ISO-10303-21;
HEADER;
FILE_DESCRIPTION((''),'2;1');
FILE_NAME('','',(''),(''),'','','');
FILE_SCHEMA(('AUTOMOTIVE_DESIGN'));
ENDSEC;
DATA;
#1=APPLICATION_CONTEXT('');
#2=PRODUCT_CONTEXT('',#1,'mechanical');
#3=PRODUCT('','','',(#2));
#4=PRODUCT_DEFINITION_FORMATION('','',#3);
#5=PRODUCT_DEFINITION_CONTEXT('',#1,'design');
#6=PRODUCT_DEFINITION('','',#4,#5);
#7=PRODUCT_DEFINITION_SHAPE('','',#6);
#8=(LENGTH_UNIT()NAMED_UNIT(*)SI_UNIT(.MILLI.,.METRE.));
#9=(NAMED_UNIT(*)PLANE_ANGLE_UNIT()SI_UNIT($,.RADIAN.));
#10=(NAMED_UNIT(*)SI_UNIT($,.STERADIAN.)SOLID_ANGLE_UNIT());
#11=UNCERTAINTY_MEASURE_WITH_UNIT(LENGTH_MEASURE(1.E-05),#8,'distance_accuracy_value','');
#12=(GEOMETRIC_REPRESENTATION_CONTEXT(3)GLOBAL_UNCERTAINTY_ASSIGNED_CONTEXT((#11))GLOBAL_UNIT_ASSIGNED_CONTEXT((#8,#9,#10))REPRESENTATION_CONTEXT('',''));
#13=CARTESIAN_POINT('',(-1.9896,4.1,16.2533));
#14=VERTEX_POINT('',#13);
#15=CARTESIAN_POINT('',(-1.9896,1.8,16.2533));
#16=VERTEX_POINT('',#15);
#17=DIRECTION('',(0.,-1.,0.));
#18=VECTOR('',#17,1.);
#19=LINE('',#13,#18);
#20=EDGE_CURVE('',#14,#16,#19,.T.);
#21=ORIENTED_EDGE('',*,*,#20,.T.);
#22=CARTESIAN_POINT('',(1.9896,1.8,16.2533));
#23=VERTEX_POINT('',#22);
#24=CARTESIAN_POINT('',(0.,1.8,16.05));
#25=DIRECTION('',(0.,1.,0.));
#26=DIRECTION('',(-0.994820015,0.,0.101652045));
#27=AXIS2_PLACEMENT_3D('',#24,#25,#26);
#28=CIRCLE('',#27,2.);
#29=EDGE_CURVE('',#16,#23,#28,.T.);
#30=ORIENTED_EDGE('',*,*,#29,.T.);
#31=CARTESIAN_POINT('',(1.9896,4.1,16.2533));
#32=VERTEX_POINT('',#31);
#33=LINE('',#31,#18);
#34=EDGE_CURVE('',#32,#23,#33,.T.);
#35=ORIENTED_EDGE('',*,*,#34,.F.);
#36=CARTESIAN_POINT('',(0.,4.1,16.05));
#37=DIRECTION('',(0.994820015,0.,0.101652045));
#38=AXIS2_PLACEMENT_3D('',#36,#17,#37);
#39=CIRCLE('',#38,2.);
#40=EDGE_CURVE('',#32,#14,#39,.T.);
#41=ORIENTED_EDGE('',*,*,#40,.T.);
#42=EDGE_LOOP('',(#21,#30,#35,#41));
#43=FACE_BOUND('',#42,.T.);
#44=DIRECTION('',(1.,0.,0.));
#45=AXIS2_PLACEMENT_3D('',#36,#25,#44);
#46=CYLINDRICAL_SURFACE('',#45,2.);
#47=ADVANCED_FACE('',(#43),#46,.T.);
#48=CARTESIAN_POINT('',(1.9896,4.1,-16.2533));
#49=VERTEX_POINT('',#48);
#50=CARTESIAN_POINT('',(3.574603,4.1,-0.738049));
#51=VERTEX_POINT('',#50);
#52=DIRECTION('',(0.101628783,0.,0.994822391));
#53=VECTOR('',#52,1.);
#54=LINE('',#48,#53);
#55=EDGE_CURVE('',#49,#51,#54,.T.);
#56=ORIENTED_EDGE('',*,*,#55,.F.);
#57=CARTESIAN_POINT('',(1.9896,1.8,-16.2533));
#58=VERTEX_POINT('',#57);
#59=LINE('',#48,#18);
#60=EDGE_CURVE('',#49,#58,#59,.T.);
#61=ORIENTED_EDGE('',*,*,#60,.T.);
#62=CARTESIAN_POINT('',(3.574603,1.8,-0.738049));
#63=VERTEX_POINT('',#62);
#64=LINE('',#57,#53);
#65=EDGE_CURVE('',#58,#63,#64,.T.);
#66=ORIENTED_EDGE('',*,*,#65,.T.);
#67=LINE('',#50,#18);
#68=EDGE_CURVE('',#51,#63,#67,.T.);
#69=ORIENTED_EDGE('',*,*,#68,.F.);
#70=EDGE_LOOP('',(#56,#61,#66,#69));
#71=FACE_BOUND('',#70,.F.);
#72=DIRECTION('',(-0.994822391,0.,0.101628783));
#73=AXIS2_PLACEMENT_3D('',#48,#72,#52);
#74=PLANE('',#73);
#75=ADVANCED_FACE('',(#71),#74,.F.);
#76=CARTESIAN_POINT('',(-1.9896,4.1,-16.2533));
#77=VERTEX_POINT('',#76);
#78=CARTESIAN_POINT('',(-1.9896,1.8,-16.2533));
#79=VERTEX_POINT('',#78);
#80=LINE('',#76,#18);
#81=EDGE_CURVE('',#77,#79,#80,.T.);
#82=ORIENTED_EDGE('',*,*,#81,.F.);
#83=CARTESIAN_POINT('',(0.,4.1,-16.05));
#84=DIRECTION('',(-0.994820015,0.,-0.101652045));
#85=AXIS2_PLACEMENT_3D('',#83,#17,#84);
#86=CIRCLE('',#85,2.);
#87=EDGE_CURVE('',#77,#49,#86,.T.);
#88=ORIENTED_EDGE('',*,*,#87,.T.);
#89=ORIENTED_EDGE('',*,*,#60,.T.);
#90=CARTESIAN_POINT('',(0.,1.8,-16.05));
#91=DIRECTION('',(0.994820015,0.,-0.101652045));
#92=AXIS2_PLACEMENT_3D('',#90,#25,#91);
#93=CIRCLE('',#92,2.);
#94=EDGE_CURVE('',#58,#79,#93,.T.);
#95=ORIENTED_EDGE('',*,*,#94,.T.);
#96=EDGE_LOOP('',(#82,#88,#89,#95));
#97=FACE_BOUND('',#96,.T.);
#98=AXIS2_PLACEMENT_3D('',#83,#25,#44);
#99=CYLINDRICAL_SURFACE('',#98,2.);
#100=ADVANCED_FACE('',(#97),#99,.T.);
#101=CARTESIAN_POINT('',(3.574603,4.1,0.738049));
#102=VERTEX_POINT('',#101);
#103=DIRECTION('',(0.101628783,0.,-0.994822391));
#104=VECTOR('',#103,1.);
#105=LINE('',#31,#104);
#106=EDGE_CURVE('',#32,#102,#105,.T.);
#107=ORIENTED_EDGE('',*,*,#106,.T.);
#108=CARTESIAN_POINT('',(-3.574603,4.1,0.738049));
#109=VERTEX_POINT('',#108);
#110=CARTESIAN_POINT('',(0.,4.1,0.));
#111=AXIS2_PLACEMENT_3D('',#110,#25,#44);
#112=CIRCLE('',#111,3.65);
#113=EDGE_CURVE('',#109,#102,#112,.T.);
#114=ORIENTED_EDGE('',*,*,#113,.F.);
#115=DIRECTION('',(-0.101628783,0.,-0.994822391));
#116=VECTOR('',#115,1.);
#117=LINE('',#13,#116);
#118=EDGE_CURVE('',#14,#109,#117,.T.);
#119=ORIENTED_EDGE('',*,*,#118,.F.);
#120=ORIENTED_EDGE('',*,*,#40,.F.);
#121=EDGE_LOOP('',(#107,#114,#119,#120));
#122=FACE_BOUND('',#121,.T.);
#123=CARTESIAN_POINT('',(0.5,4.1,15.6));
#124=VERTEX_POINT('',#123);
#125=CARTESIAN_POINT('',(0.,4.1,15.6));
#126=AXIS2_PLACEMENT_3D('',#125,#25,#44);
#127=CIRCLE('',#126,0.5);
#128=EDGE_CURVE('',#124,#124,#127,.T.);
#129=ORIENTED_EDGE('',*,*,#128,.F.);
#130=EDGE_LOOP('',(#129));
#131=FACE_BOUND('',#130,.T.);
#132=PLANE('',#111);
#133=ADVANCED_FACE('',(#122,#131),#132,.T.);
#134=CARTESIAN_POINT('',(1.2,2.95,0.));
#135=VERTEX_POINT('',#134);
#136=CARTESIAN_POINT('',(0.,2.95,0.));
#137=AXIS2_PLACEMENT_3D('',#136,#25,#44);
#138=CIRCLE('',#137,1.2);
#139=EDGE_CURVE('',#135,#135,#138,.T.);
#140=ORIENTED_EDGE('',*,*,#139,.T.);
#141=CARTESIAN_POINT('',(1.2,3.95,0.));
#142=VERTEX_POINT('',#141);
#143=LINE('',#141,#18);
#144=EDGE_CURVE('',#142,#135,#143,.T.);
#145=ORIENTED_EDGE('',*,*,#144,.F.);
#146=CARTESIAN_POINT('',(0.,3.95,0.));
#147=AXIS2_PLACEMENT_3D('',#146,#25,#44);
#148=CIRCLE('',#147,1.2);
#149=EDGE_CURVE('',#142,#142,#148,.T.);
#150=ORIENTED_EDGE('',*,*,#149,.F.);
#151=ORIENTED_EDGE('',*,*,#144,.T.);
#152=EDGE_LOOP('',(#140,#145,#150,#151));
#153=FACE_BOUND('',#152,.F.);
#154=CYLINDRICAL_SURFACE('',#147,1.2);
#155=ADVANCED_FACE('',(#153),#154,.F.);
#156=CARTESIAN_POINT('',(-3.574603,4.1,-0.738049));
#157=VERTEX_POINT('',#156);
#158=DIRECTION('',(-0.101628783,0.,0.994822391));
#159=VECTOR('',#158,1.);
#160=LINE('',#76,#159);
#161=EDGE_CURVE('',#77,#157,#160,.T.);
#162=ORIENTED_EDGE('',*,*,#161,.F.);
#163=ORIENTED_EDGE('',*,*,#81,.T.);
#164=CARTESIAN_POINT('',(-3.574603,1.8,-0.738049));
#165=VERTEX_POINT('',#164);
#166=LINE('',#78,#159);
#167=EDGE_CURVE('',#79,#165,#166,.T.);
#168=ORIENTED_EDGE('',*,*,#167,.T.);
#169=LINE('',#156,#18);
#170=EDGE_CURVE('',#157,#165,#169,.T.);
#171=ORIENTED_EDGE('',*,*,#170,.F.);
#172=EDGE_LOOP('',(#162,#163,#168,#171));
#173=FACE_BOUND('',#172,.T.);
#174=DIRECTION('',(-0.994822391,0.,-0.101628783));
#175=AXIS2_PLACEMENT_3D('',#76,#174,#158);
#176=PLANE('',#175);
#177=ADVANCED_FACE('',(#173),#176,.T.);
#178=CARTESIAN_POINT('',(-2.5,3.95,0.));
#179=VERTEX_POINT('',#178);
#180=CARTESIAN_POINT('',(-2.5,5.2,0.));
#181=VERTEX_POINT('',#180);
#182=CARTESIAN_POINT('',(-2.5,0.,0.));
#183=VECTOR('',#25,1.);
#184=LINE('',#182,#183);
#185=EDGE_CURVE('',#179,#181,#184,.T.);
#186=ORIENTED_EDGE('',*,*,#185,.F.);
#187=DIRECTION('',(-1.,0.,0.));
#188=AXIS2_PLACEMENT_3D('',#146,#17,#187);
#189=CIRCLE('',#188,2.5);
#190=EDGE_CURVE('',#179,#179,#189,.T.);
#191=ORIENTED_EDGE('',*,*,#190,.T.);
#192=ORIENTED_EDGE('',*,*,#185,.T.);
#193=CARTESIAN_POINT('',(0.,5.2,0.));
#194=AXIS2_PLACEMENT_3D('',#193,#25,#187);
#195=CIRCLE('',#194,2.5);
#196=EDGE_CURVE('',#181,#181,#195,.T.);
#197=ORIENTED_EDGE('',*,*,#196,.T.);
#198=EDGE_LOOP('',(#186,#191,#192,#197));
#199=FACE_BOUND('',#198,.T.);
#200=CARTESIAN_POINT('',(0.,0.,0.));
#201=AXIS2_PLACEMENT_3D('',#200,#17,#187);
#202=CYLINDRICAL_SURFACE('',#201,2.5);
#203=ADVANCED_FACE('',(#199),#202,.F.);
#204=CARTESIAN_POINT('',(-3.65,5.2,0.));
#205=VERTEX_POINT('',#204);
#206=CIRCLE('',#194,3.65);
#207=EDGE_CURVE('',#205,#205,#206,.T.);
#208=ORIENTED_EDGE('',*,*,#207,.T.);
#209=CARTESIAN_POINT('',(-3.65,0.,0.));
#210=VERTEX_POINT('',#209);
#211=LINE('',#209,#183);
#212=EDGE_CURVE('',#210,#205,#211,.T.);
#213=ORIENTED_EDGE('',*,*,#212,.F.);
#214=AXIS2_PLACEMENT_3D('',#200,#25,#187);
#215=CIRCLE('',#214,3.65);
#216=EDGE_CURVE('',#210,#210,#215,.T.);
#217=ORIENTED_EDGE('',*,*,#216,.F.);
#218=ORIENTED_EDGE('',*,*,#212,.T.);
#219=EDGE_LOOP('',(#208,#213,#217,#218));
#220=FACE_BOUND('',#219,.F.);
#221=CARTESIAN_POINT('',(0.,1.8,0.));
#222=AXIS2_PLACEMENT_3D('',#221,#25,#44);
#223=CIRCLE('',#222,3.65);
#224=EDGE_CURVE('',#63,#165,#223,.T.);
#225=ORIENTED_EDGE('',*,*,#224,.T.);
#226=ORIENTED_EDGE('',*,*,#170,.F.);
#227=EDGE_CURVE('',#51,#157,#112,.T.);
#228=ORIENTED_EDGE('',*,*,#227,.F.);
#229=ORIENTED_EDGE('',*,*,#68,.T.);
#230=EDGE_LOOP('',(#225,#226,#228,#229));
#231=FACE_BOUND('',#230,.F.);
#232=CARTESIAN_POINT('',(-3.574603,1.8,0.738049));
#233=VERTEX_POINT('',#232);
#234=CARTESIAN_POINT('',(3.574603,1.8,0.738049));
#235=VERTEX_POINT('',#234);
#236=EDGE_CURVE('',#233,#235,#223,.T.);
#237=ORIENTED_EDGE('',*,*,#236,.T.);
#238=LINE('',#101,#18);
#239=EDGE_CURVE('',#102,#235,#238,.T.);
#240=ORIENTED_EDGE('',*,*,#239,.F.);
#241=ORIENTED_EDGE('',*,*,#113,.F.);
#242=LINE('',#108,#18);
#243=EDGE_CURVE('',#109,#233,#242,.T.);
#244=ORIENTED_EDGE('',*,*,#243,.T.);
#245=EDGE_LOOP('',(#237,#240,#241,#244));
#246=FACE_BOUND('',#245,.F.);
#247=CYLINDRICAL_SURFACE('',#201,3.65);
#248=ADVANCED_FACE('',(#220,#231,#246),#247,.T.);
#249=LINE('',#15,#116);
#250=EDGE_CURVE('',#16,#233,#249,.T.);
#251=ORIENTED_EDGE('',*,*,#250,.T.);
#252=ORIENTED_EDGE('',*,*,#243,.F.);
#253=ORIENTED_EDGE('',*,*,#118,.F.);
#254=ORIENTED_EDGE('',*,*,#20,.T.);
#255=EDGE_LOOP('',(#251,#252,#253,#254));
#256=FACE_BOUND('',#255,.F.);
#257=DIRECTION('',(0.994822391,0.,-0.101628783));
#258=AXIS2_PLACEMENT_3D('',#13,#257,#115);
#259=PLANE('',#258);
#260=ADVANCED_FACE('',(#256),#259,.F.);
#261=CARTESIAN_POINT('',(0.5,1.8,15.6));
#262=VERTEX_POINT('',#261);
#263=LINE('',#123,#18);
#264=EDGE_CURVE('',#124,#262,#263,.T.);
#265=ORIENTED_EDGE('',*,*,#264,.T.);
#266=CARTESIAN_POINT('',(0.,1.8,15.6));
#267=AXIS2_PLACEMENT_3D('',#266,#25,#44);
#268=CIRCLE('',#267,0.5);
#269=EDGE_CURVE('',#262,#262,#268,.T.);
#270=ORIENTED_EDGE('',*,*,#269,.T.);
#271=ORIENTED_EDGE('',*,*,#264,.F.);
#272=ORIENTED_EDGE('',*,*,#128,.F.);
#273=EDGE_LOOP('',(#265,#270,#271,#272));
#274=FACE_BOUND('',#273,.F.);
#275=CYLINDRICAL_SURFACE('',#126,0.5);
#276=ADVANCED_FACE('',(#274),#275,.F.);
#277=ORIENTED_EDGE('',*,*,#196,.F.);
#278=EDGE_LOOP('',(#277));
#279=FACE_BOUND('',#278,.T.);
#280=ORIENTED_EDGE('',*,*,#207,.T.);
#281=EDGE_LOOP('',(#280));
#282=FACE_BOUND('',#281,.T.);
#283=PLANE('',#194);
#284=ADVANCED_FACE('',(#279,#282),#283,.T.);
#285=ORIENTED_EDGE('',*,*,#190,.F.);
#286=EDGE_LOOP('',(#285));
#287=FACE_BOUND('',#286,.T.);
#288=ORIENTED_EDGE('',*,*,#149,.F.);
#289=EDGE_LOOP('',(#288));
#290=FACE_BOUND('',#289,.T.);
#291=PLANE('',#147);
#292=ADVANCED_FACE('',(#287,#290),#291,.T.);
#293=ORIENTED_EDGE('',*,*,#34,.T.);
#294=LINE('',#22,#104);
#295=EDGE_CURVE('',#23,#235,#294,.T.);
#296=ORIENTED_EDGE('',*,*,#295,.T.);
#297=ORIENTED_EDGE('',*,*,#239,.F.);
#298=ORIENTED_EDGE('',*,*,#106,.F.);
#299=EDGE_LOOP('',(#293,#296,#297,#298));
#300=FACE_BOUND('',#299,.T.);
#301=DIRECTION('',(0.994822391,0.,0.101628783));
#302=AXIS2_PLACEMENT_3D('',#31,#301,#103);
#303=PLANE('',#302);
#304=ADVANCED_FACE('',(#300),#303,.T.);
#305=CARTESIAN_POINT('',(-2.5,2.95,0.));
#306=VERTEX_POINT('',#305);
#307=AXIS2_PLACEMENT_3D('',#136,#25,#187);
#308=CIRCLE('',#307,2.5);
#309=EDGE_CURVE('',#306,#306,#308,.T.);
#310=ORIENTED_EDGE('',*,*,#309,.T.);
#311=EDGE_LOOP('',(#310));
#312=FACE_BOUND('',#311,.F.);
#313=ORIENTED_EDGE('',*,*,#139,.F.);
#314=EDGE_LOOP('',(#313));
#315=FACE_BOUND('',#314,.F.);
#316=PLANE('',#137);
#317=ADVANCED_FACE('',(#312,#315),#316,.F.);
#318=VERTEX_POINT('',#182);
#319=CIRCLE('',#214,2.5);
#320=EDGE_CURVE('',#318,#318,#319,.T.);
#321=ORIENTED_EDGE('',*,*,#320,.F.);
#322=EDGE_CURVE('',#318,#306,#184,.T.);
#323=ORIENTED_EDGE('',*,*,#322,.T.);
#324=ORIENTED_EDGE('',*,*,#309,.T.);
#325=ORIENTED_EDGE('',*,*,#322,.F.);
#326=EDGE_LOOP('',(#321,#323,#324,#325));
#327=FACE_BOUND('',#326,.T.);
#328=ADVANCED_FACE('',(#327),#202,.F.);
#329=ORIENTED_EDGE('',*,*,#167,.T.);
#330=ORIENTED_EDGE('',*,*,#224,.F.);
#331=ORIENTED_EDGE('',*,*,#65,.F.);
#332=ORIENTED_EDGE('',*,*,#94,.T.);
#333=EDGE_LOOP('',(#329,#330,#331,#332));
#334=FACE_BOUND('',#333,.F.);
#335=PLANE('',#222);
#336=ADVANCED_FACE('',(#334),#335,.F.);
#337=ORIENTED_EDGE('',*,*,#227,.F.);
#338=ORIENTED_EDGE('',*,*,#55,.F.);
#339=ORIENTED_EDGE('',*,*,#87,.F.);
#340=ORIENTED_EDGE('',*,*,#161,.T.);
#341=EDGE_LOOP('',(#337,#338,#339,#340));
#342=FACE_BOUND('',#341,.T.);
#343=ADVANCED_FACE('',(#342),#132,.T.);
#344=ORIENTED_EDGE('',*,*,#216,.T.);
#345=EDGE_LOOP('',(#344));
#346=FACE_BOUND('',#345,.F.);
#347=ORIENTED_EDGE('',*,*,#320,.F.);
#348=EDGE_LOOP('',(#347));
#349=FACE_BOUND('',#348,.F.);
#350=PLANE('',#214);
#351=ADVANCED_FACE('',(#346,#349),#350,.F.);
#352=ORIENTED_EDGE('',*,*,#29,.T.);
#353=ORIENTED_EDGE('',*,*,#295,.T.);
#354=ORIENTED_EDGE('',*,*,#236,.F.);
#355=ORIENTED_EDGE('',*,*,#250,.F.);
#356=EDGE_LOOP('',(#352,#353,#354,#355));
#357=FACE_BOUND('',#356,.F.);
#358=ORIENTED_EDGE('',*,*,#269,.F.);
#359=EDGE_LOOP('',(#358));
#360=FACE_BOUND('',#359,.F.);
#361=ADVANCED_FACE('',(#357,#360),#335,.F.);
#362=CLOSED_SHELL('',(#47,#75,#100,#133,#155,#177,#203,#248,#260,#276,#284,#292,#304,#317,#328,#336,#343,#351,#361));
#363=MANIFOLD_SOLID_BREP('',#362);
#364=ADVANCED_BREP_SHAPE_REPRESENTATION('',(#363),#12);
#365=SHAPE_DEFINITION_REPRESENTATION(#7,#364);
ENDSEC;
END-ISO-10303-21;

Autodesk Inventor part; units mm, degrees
ref_plane "YZ Plane" through (0, 0, 0) normal (1, 0, 0) x (0, 1, 0)
sketch "Sketch1" plane through (0, 0, 0) normal (0, 1, 0) x (-1, 0, 0)
  circle A0 centre (0, 0) radius 2.5
  circle A1 centre (0, 0) radius 3.65
  dimension "d0" = 5
  dimension "d1" = 7.3
extrude "Extrusion1" add sketch "Sketch1" along normal blind 5.2
ref_plane "Work Plane1" through (0, 3.95, 0) normal (0, 1, 0) x (1, 0, 0)
sketch "Sketch2" plane through (0, 3.95, 0) normal (0, 1, 0) x (1, 0, 0)
  circle A0 centre (0, 0) radius 2.5 projected
  circle A1 centre (0, 0) radius 1.2
  dimension "d5" = 2.4
extrude "Extrusion2" add sketch "Sketch2" against normal blind 1
ref_plane "Work Plane2" through (0, 4.1, 0) normal (0, 1, 0) x (1, 0, 0)
sketch "Sketch3" plane through (0, 4.1, 0) normal (0, 1, 0) x (1, 0, 0)
  line L0 (5.5656, 0) -> (-5.5656, 0) construction
  circle A0 centre (0, 16.05) radius 2
  line L1 (1.9896, 16.2533) -> (3.65, 0)
  circle A1 centre (0, 0) radius 3.65 projected
  line L2 (-1.9896, 16.2533) -> (-3.65, 0)
  line L3 (0, 16.05) -> (0, 18.05)
  line L4 (0, 3.65) -> (0, -3.65) construction
  circle A2 centre (0, -16.05) radius 2
  line L5 (1.9896, -16.2533) -> (3.65, 0)
  line L6 (-1.9896, -16.2533) -> (-3.65, 0)
  line L7 (0, -16.05) -> (0, -18.05)
  point P0 (0, 0)
  point P1 (-3.5746, -0.738)
  point P2 (3.5746, -0.738)
  point P3 (-3.5746, 0.738)
  point P4 (3.5746, 0.738)
  dimension "d9" = 18.05
  dimension "d10" = 4
extrude "Extrusion3" add sketch "Sketch3" against normal blind 2.3 contours A0 | A0 L1 A1 L2 | L5 A2 L6 A1 | A2
sketch "Sketch4" plane through (0, 4.1, 0) normal (0, 1, 0) x (1, 0, 0)
  circle A0 centre (0, -15.6) radius 0.5
  point P0 (0, 0)
  dimension "d13" = 1
  dimension "d14" = 15.6
extrude "Extrusion4" cut sketch "Sketch4" against normal through all
properties part number "Servo_small_top"
